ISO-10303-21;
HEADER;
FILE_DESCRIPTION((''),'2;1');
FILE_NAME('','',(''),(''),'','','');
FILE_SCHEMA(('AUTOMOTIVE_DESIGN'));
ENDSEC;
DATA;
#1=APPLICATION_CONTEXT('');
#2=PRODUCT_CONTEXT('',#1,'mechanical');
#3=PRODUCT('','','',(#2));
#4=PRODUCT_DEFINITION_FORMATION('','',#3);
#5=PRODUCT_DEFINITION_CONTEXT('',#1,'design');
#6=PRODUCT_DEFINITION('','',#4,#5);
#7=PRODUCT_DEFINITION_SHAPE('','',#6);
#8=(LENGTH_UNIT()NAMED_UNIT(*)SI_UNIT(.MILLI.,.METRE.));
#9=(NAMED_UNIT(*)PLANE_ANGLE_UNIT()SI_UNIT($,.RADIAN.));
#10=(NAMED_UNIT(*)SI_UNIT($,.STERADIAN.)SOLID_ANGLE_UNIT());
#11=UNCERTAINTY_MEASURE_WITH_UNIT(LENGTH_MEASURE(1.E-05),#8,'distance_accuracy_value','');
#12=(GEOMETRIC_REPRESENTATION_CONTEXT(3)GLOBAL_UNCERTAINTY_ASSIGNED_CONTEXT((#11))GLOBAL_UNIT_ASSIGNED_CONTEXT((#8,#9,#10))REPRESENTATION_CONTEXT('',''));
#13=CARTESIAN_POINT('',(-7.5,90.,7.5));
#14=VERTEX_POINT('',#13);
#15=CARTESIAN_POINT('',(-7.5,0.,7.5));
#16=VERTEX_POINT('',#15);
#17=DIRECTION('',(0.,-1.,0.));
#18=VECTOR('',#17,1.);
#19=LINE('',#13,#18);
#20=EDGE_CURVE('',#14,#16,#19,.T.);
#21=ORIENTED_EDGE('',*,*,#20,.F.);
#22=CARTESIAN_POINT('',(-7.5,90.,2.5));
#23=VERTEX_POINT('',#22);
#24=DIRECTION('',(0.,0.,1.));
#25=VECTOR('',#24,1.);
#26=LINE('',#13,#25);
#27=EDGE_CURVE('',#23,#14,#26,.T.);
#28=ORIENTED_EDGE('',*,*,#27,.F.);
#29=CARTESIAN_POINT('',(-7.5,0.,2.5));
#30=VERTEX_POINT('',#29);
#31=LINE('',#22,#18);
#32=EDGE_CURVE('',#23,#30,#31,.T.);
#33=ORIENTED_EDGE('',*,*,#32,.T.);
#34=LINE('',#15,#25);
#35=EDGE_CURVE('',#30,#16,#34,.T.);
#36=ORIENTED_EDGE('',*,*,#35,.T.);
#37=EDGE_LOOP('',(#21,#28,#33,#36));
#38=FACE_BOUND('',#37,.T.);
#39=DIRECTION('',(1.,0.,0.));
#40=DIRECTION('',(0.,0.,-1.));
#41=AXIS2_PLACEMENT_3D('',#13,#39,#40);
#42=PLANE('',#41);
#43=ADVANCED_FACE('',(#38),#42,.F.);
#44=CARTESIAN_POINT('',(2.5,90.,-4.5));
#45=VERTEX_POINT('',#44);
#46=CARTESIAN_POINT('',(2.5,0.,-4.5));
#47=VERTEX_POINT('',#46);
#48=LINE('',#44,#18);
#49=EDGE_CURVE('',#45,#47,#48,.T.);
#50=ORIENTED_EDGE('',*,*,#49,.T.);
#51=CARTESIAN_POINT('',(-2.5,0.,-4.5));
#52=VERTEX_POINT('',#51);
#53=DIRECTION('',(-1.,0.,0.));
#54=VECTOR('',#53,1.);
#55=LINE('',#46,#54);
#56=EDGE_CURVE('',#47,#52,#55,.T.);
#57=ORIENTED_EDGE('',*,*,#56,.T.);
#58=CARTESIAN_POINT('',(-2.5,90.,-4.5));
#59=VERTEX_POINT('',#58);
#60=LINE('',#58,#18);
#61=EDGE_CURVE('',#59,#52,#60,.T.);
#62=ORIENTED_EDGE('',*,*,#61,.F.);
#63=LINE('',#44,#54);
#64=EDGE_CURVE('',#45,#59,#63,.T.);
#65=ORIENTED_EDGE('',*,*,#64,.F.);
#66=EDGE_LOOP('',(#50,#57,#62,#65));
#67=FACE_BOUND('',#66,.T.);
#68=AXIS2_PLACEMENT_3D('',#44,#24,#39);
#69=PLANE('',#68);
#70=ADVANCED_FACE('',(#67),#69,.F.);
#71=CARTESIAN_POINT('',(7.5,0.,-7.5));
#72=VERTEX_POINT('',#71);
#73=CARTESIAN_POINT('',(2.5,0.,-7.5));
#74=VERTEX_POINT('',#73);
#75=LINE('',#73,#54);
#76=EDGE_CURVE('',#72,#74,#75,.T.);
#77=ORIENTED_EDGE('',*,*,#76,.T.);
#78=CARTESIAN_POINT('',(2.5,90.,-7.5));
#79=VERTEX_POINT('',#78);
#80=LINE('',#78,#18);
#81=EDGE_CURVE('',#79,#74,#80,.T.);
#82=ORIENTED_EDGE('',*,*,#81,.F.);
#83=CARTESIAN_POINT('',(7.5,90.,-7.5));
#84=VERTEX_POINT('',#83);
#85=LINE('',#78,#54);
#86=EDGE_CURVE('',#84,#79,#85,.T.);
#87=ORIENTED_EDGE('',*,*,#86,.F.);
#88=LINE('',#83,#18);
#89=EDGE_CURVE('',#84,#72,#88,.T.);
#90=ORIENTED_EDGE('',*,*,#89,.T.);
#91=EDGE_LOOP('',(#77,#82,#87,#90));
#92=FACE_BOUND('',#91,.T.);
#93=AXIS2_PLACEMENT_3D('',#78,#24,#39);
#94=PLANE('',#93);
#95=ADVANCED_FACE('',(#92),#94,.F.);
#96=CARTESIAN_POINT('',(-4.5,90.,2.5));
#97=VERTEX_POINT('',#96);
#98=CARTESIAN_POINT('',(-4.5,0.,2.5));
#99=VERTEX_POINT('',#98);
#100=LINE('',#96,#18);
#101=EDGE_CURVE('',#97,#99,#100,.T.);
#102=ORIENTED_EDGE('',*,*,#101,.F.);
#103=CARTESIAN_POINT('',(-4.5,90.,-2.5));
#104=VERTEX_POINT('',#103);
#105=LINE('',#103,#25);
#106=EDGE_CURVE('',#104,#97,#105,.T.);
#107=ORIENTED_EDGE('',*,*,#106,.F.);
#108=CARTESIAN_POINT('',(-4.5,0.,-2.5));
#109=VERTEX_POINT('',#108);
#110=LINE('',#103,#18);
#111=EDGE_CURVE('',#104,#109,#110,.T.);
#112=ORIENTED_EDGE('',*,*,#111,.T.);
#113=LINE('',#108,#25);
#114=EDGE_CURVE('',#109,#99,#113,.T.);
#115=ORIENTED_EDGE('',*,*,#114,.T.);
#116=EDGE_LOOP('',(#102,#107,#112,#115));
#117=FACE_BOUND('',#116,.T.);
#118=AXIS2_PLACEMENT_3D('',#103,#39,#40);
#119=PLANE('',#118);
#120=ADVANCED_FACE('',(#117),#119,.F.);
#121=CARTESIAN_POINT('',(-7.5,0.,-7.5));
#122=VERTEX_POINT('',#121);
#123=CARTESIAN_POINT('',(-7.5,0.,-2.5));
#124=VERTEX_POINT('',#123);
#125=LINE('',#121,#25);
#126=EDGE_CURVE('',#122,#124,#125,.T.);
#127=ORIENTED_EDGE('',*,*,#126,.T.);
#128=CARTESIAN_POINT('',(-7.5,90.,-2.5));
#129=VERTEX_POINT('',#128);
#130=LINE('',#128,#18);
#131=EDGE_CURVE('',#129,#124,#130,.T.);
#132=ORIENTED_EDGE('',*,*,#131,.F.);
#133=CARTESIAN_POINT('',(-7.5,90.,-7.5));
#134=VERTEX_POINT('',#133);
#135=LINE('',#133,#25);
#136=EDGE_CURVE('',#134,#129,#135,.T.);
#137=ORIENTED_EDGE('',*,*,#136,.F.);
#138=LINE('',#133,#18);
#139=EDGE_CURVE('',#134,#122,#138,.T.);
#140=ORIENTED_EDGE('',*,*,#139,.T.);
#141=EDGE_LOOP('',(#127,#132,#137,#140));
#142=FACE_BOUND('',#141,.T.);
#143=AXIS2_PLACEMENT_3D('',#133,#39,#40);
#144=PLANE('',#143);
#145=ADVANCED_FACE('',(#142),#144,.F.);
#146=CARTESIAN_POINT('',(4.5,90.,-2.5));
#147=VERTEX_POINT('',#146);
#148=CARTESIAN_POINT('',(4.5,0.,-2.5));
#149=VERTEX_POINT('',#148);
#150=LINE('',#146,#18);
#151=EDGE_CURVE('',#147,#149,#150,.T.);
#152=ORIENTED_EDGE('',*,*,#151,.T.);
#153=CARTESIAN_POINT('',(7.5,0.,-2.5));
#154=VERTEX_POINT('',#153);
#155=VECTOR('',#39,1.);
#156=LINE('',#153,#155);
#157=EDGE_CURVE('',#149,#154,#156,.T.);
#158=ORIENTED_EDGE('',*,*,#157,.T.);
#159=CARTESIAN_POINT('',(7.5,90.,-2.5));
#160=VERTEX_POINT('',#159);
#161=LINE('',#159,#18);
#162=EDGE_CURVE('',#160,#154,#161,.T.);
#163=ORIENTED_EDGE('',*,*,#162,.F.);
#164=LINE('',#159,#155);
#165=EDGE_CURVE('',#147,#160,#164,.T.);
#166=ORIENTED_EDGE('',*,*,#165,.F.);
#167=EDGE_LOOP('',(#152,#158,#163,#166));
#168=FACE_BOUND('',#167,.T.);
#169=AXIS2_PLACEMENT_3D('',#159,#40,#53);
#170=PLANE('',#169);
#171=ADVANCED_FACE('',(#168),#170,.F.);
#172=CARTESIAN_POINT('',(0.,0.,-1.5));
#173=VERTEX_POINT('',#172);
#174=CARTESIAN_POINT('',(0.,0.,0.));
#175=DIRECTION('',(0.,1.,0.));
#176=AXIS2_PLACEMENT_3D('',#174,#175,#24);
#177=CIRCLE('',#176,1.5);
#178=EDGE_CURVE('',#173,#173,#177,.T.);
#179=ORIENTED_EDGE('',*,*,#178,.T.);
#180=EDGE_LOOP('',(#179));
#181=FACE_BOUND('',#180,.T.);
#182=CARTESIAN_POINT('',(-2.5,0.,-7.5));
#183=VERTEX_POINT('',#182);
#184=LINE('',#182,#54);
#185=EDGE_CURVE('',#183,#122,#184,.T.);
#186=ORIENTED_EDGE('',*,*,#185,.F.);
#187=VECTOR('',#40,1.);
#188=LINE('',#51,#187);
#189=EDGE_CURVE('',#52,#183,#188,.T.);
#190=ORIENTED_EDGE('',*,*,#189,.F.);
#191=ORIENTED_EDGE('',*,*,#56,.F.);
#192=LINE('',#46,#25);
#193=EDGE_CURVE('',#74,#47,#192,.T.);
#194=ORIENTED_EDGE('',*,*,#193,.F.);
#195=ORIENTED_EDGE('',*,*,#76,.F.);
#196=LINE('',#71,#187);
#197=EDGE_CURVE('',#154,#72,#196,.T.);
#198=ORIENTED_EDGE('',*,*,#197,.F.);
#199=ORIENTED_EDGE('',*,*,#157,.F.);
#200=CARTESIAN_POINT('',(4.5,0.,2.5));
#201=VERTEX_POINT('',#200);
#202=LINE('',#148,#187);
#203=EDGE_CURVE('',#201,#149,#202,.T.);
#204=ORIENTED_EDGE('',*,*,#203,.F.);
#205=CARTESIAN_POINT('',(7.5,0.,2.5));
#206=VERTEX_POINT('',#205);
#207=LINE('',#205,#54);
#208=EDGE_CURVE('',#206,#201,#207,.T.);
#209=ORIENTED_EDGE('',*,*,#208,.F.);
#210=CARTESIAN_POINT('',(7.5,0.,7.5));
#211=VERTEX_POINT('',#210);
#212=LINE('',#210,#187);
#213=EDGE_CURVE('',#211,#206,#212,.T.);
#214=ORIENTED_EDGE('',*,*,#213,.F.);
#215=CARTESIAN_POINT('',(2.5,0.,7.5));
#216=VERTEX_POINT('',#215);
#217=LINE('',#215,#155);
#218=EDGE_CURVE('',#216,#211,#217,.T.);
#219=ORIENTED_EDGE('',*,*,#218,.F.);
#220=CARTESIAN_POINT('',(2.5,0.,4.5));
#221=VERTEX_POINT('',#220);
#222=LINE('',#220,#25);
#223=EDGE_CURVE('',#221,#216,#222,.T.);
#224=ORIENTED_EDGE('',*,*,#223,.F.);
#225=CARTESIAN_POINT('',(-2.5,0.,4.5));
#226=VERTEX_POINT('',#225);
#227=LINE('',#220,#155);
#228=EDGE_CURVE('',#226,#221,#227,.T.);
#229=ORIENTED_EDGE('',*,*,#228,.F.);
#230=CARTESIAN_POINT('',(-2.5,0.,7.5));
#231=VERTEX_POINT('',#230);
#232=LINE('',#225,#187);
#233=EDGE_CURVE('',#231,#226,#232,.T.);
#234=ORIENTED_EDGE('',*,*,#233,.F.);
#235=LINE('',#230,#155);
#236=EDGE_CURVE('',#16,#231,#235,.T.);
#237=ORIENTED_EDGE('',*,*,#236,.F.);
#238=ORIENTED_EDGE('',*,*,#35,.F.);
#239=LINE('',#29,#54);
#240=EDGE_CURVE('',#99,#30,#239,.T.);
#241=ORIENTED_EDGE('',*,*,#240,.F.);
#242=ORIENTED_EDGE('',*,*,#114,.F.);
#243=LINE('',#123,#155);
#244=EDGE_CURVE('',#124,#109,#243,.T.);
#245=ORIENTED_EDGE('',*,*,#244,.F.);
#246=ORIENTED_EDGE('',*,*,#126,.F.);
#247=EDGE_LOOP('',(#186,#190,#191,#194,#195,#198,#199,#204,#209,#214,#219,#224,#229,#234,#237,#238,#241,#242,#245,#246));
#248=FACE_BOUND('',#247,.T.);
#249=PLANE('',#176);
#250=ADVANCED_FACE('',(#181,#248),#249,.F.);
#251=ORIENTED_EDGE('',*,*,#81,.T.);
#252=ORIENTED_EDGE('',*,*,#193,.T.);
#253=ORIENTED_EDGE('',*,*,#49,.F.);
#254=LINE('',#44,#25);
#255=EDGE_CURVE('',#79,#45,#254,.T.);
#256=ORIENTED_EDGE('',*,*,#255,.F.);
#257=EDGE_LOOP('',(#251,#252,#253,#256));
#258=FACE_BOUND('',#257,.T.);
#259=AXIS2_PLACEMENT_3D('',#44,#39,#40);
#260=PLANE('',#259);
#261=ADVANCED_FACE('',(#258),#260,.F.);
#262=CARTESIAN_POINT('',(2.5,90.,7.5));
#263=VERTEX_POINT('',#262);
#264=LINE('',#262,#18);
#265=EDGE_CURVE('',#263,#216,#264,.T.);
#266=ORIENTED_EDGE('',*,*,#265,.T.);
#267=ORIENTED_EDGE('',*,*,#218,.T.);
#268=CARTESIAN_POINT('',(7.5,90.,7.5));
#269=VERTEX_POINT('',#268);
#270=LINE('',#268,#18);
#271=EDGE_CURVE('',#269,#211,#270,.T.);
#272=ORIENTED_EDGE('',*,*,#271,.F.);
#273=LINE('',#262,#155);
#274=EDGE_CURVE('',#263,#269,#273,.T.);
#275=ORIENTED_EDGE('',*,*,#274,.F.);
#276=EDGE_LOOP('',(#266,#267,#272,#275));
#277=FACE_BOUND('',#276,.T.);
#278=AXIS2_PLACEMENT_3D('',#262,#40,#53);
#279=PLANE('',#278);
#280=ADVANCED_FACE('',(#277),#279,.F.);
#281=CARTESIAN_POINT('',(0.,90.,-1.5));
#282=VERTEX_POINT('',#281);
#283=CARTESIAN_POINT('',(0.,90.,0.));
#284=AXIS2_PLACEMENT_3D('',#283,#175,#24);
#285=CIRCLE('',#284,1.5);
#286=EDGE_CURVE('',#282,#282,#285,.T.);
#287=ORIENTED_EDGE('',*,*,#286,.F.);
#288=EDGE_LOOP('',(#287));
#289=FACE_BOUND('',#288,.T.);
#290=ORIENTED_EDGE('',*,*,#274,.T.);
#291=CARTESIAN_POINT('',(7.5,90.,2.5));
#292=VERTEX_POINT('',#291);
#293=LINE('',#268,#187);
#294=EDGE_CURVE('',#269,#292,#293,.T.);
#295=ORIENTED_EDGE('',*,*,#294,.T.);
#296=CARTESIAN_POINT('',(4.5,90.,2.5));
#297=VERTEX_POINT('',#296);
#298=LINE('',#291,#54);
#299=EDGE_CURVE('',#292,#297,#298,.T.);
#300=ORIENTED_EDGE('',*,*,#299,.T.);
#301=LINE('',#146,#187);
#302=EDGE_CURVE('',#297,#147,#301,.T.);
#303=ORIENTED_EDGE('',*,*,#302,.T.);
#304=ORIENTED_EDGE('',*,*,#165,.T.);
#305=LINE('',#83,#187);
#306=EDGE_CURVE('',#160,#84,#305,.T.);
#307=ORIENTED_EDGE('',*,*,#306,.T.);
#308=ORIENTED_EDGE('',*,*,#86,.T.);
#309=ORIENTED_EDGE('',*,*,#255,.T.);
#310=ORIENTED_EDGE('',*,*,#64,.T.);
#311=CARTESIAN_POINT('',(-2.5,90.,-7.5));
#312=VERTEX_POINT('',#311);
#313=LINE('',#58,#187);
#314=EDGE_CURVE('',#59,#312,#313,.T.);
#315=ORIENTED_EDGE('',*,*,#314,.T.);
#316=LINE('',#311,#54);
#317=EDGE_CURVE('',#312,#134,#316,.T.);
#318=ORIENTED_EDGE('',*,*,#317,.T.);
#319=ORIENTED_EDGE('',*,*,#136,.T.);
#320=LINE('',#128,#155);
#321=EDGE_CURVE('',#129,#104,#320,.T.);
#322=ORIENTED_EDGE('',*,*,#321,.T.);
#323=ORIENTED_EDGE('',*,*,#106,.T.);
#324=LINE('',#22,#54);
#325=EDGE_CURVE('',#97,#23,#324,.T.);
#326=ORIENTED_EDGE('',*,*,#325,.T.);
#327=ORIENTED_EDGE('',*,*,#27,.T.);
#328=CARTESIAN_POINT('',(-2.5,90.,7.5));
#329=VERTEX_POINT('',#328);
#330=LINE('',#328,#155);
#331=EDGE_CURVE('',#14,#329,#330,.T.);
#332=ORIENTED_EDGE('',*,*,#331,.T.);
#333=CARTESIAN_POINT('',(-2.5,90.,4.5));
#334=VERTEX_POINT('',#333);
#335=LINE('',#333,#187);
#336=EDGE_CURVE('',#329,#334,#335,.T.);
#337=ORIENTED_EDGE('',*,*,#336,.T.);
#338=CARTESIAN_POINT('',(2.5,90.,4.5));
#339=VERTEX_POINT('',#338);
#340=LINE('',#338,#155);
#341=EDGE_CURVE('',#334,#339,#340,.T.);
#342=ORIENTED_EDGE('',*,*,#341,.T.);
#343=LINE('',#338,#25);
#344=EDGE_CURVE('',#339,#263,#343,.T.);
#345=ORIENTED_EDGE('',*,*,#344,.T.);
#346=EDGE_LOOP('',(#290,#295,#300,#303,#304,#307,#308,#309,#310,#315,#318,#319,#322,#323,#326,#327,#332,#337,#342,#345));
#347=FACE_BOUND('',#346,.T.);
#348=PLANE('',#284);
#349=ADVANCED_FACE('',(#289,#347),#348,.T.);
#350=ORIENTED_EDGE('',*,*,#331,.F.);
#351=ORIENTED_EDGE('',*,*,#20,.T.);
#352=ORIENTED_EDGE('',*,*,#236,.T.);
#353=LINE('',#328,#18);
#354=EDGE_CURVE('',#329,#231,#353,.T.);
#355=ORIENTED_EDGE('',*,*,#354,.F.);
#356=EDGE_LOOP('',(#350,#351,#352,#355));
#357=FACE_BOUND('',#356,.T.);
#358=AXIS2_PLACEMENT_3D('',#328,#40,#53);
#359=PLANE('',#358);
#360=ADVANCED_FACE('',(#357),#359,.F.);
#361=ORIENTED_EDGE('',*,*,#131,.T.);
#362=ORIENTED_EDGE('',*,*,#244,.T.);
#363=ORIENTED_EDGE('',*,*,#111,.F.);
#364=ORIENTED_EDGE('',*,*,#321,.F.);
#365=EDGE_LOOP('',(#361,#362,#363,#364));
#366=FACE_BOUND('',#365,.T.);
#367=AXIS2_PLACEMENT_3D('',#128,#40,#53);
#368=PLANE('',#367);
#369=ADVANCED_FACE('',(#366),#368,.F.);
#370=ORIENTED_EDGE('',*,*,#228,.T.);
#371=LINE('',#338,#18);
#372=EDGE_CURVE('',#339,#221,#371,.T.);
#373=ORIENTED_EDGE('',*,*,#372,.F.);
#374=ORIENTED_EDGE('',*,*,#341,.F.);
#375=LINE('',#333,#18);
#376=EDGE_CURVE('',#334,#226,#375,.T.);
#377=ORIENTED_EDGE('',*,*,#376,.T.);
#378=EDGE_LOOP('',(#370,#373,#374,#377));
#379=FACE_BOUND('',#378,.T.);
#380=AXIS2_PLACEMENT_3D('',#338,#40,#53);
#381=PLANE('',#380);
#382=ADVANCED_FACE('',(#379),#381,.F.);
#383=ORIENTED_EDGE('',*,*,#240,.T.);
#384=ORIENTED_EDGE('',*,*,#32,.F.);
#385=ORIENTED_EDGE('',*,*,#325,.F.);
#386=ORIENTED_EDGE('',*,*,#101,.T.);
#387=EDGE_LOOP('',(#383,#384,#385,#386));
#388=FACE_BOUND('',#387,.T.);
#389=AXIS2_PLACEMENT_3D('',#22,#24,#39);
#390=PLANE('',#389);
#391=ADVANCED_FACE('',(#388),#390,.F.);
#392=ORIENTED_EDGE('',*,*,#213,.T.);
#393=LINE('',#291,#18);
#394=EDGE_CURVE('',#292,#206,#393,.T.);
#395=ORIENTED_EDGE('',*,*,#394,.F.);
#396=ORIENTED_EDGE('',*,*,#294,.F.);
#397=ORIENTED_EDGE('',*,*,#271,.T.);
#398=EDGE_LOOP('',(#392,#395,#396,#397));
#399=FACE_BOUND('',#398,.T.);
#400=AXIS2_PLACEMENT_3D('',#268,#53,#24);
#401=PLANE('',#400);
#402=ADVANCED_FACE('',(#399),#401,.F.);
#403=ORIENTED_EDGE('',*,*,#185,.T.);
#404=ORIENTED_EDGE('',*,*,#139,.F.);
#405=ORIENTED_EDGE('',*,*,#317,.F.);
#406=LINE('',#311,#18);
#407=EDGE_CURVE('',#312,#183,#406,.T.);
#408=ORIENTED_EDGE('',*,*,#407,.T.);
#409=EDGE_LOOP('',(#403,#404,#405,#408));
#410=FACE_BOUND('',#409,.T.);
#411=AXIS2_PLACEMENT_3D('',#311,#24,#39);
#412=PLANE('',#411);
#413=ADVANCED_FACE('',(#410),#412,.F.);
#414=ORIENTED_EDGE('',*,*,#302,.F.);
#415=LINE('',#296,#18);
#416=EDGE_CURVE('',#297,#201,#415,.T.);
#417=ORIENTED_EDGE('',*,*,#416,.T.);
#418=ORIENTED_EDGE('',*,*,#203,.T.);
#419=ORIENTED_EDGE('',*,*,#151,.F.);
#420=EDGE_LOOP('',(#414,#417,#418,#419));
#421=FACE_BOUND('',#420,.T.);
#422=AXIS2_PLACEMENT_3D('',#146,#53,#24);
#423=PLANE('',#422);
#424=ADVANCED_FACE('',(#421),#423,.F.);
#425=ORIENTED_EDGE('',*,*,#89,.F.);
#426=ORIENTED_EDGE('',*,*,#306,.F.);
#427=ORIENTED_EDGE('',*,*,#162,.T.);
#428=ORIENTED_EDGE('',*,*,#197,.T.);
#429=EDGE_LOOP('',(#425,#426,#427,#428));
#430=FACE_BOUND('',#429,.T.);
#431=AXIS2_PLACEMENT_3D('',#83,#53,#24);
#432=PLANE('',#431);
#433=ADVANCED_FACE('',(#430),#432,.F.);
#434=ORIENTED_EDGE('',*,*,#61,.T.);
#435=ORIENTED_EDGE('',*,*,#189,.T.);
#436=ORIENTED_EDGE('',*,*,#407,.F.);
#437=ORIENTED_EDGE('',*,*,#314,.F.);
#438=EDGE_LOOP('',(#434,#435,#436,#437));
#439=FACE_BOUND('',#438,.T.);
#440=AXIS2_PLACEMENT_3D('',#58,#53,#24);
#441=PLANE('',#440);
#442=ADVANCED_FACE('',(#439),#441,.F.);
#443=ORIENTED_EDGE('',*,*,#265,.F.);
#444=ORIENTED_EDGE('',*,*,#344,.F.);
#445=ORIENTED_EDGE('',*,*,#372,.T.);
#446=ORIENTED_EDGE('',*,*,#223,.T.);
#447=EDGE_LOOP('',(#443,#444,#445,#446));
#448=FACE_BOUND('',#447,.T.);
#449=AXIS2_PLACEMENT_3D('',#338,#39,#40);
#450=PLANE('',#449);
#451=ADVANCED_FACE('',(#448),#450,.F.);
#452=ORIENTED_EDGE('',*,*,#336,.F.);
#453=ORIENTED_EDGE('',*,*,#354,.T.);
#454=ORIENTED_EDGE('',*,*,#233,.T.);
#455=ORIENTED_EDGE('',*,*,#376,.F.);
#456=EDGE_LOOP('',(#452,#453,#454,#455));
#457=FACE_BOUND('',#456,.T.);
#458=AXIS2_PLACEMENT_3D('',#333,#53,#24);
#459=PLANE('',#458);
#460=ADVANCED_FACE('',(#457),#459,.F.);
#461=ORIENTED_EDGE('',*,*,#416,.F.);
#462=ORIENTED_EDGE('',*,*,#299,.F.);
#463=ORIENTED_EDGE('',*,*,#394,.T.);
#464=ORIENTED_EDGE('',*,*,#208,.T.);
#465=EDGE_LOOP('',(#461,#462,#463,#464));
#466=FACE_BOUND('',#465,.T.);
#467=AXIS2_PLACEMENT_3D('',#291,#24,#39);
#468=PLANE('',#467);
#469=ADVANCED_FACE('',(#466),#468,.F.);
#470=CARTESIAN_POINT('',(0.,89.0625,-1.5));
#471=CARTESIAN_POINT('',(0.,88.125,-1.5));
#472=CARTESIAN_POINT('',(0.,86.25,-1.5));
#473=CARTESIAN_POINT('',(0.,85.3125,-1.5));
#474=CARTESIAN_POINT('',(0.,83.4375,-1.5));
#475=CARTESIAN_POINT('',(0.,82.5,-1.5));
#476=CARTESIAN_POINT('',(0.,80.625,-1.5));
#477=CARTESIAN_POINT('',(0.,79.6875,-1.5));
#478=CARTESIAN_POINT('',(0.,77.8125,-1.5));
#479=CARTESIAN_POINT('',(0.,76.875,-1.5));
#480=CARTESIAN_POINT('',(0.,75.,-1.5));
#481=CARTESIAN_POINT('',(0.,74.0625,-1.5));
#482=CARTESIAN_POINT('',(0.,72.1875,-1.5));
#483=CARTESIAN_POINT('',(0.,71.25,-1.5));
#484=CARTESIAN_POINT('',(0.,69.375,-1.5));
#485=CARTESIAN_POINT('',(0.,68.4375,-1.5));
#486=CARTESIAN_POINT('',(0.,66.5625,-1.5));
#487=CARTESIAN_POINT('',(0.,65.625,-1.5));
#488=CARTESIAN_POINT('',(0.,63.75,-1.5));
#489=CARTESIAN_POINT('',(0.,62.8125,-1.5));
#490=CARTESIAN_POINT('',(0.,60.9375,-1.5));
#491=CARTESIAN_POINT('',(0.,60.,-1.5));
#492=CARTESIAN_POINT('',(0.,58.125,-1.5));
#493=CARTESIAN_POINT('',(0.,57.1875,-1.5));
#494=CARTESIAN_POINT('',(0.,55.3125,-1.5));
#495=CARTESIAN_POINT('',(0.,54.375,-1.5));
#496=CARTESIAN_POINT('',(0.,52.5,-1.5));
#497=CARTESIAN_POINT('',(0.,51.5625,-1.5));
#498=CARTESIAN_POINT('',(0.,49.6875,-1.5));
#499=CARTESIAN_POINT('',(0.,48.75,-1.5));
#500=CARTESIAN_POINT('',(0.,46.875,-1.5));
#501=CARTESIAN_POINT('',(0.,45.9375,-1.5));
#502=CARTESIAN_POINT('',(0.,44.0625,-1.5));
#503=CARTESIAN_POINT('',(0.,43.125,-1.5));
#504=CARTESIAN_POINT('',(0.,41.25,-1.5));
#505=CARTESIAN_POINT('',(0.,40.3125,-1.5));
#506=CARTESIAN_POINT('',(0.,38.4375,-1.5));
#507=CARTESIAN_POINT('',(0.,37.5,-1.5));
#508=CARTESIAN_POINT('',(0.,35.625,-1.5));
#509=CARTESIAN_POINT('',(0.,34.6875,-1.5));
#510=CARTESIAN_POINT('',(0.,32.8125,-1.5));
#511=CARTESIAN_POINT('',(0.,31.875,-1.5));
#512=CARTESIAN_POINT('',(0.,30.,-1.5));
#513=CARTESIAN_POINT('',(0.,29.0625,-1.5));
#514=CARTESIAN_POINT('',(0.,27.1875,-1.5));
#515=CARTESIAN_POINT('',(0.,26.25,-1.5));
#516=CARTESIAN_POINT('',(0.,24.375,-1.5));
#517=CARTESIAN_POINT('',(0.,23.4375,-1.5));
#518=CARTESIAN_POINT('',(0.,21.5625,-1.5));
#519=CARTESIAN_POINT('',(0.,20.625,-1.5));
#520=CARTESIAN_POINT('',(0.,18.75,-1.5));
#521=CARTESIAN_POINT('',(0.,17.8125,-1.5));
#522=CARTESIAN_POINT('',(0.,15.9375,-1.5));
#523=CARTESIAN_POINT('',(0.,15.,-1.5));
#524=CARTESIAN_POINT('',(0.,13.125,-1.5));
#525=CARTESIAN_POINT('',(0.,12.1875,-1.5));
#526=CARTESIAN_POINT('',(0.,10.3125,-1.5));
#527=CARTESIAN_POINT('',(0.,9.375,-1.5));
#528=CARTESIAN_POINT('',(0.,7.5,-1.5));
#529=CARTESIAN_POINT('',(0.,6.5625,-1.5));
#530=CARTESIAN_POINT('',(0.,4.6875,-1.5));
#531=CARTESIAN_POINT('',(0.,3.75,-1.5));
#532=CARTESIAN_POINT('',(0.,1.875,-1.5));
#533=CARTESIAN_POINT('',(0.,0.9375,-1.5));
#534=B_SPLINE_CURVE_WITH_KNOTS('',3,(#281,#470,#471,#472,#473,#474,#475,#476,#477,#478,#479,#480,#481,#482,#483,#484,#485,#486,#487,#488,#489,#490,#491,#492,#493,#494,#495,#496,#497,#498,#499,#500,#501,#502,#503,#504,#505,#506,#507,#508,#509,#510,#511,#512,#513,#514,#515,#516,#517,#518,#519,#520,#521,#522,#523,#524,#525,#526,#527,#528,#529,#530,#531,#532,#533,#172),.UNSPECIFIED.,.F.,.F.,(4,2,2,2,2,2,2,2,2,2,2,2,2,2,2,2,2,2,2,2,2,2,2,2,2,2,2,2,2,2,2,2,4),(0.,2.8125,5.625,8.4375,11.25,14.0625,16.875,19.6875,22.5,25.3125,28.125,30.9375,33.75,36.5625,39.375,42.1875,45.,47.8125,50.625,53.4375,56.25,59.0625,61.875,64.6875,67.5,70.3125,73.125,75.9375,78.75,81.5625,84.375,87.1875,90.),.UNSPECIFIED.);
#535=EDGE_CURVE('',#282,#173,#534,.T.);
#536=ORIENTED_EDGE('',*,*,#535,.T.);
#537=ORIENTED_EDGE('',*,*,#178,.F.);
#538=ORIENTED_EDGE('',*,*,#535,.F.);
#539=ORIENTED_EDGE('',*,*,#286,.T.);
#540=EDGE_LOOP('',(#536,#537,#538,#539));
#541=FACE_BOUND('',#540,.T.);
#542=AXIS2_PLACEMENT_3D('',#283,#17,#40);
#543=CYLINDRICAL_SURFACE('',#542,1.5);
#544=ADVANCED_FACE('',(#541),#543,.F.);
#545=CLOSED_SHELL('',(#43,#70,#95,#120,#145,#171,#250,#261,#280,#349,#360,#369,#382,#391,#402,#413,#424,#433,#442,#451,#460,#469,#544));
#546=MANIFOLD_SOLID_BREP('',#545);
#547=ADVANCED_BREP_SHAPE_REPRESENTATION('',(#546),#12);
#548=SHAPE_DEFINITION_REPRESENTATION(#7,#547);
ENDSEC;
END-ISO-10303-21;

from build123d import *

# Parameters (mm, degrees)
SKETCH1_R           = 1.5
BOSS_EXTRUDE1_DEPTH = 90


with BuildPart() as part:
    # Sketch1 → Boss-Extrude1 (new body)
    with BuildSketch(Plane(origin=(0, 0, 0), x_dir=(1, 0, 0), z_dir=(0, 1, 0))):
        Polygon((2.5, 4.5), (-2.5, 4.5), (-2.5, 7.5), (-7.5, 7.5), (-7.5, 2.5), (-4.5, 2.5), (-4.5, -2.5), (-7.5, -2.5), (-7.5, -7.5), (-2.5, -7.5), (-2.5, -4.5), (2.5, -4.5), (2.5, -7.5), (7.5, -7.5), (7.5, -2.5), (4.5, -2.5), (4.5, 2.5), (7.5, 2.5), (7.5, 7.5), (2.5, 7.5), align=None)
        with Locations(Location((0, 0, 0), (0, 0, 90))):
            Circle(SKETCH1_R, mode=Mode.SUBTRACT)
    extrude(amount=BOSS_EXTRUDE1_DEPTH)


solid = part.part
